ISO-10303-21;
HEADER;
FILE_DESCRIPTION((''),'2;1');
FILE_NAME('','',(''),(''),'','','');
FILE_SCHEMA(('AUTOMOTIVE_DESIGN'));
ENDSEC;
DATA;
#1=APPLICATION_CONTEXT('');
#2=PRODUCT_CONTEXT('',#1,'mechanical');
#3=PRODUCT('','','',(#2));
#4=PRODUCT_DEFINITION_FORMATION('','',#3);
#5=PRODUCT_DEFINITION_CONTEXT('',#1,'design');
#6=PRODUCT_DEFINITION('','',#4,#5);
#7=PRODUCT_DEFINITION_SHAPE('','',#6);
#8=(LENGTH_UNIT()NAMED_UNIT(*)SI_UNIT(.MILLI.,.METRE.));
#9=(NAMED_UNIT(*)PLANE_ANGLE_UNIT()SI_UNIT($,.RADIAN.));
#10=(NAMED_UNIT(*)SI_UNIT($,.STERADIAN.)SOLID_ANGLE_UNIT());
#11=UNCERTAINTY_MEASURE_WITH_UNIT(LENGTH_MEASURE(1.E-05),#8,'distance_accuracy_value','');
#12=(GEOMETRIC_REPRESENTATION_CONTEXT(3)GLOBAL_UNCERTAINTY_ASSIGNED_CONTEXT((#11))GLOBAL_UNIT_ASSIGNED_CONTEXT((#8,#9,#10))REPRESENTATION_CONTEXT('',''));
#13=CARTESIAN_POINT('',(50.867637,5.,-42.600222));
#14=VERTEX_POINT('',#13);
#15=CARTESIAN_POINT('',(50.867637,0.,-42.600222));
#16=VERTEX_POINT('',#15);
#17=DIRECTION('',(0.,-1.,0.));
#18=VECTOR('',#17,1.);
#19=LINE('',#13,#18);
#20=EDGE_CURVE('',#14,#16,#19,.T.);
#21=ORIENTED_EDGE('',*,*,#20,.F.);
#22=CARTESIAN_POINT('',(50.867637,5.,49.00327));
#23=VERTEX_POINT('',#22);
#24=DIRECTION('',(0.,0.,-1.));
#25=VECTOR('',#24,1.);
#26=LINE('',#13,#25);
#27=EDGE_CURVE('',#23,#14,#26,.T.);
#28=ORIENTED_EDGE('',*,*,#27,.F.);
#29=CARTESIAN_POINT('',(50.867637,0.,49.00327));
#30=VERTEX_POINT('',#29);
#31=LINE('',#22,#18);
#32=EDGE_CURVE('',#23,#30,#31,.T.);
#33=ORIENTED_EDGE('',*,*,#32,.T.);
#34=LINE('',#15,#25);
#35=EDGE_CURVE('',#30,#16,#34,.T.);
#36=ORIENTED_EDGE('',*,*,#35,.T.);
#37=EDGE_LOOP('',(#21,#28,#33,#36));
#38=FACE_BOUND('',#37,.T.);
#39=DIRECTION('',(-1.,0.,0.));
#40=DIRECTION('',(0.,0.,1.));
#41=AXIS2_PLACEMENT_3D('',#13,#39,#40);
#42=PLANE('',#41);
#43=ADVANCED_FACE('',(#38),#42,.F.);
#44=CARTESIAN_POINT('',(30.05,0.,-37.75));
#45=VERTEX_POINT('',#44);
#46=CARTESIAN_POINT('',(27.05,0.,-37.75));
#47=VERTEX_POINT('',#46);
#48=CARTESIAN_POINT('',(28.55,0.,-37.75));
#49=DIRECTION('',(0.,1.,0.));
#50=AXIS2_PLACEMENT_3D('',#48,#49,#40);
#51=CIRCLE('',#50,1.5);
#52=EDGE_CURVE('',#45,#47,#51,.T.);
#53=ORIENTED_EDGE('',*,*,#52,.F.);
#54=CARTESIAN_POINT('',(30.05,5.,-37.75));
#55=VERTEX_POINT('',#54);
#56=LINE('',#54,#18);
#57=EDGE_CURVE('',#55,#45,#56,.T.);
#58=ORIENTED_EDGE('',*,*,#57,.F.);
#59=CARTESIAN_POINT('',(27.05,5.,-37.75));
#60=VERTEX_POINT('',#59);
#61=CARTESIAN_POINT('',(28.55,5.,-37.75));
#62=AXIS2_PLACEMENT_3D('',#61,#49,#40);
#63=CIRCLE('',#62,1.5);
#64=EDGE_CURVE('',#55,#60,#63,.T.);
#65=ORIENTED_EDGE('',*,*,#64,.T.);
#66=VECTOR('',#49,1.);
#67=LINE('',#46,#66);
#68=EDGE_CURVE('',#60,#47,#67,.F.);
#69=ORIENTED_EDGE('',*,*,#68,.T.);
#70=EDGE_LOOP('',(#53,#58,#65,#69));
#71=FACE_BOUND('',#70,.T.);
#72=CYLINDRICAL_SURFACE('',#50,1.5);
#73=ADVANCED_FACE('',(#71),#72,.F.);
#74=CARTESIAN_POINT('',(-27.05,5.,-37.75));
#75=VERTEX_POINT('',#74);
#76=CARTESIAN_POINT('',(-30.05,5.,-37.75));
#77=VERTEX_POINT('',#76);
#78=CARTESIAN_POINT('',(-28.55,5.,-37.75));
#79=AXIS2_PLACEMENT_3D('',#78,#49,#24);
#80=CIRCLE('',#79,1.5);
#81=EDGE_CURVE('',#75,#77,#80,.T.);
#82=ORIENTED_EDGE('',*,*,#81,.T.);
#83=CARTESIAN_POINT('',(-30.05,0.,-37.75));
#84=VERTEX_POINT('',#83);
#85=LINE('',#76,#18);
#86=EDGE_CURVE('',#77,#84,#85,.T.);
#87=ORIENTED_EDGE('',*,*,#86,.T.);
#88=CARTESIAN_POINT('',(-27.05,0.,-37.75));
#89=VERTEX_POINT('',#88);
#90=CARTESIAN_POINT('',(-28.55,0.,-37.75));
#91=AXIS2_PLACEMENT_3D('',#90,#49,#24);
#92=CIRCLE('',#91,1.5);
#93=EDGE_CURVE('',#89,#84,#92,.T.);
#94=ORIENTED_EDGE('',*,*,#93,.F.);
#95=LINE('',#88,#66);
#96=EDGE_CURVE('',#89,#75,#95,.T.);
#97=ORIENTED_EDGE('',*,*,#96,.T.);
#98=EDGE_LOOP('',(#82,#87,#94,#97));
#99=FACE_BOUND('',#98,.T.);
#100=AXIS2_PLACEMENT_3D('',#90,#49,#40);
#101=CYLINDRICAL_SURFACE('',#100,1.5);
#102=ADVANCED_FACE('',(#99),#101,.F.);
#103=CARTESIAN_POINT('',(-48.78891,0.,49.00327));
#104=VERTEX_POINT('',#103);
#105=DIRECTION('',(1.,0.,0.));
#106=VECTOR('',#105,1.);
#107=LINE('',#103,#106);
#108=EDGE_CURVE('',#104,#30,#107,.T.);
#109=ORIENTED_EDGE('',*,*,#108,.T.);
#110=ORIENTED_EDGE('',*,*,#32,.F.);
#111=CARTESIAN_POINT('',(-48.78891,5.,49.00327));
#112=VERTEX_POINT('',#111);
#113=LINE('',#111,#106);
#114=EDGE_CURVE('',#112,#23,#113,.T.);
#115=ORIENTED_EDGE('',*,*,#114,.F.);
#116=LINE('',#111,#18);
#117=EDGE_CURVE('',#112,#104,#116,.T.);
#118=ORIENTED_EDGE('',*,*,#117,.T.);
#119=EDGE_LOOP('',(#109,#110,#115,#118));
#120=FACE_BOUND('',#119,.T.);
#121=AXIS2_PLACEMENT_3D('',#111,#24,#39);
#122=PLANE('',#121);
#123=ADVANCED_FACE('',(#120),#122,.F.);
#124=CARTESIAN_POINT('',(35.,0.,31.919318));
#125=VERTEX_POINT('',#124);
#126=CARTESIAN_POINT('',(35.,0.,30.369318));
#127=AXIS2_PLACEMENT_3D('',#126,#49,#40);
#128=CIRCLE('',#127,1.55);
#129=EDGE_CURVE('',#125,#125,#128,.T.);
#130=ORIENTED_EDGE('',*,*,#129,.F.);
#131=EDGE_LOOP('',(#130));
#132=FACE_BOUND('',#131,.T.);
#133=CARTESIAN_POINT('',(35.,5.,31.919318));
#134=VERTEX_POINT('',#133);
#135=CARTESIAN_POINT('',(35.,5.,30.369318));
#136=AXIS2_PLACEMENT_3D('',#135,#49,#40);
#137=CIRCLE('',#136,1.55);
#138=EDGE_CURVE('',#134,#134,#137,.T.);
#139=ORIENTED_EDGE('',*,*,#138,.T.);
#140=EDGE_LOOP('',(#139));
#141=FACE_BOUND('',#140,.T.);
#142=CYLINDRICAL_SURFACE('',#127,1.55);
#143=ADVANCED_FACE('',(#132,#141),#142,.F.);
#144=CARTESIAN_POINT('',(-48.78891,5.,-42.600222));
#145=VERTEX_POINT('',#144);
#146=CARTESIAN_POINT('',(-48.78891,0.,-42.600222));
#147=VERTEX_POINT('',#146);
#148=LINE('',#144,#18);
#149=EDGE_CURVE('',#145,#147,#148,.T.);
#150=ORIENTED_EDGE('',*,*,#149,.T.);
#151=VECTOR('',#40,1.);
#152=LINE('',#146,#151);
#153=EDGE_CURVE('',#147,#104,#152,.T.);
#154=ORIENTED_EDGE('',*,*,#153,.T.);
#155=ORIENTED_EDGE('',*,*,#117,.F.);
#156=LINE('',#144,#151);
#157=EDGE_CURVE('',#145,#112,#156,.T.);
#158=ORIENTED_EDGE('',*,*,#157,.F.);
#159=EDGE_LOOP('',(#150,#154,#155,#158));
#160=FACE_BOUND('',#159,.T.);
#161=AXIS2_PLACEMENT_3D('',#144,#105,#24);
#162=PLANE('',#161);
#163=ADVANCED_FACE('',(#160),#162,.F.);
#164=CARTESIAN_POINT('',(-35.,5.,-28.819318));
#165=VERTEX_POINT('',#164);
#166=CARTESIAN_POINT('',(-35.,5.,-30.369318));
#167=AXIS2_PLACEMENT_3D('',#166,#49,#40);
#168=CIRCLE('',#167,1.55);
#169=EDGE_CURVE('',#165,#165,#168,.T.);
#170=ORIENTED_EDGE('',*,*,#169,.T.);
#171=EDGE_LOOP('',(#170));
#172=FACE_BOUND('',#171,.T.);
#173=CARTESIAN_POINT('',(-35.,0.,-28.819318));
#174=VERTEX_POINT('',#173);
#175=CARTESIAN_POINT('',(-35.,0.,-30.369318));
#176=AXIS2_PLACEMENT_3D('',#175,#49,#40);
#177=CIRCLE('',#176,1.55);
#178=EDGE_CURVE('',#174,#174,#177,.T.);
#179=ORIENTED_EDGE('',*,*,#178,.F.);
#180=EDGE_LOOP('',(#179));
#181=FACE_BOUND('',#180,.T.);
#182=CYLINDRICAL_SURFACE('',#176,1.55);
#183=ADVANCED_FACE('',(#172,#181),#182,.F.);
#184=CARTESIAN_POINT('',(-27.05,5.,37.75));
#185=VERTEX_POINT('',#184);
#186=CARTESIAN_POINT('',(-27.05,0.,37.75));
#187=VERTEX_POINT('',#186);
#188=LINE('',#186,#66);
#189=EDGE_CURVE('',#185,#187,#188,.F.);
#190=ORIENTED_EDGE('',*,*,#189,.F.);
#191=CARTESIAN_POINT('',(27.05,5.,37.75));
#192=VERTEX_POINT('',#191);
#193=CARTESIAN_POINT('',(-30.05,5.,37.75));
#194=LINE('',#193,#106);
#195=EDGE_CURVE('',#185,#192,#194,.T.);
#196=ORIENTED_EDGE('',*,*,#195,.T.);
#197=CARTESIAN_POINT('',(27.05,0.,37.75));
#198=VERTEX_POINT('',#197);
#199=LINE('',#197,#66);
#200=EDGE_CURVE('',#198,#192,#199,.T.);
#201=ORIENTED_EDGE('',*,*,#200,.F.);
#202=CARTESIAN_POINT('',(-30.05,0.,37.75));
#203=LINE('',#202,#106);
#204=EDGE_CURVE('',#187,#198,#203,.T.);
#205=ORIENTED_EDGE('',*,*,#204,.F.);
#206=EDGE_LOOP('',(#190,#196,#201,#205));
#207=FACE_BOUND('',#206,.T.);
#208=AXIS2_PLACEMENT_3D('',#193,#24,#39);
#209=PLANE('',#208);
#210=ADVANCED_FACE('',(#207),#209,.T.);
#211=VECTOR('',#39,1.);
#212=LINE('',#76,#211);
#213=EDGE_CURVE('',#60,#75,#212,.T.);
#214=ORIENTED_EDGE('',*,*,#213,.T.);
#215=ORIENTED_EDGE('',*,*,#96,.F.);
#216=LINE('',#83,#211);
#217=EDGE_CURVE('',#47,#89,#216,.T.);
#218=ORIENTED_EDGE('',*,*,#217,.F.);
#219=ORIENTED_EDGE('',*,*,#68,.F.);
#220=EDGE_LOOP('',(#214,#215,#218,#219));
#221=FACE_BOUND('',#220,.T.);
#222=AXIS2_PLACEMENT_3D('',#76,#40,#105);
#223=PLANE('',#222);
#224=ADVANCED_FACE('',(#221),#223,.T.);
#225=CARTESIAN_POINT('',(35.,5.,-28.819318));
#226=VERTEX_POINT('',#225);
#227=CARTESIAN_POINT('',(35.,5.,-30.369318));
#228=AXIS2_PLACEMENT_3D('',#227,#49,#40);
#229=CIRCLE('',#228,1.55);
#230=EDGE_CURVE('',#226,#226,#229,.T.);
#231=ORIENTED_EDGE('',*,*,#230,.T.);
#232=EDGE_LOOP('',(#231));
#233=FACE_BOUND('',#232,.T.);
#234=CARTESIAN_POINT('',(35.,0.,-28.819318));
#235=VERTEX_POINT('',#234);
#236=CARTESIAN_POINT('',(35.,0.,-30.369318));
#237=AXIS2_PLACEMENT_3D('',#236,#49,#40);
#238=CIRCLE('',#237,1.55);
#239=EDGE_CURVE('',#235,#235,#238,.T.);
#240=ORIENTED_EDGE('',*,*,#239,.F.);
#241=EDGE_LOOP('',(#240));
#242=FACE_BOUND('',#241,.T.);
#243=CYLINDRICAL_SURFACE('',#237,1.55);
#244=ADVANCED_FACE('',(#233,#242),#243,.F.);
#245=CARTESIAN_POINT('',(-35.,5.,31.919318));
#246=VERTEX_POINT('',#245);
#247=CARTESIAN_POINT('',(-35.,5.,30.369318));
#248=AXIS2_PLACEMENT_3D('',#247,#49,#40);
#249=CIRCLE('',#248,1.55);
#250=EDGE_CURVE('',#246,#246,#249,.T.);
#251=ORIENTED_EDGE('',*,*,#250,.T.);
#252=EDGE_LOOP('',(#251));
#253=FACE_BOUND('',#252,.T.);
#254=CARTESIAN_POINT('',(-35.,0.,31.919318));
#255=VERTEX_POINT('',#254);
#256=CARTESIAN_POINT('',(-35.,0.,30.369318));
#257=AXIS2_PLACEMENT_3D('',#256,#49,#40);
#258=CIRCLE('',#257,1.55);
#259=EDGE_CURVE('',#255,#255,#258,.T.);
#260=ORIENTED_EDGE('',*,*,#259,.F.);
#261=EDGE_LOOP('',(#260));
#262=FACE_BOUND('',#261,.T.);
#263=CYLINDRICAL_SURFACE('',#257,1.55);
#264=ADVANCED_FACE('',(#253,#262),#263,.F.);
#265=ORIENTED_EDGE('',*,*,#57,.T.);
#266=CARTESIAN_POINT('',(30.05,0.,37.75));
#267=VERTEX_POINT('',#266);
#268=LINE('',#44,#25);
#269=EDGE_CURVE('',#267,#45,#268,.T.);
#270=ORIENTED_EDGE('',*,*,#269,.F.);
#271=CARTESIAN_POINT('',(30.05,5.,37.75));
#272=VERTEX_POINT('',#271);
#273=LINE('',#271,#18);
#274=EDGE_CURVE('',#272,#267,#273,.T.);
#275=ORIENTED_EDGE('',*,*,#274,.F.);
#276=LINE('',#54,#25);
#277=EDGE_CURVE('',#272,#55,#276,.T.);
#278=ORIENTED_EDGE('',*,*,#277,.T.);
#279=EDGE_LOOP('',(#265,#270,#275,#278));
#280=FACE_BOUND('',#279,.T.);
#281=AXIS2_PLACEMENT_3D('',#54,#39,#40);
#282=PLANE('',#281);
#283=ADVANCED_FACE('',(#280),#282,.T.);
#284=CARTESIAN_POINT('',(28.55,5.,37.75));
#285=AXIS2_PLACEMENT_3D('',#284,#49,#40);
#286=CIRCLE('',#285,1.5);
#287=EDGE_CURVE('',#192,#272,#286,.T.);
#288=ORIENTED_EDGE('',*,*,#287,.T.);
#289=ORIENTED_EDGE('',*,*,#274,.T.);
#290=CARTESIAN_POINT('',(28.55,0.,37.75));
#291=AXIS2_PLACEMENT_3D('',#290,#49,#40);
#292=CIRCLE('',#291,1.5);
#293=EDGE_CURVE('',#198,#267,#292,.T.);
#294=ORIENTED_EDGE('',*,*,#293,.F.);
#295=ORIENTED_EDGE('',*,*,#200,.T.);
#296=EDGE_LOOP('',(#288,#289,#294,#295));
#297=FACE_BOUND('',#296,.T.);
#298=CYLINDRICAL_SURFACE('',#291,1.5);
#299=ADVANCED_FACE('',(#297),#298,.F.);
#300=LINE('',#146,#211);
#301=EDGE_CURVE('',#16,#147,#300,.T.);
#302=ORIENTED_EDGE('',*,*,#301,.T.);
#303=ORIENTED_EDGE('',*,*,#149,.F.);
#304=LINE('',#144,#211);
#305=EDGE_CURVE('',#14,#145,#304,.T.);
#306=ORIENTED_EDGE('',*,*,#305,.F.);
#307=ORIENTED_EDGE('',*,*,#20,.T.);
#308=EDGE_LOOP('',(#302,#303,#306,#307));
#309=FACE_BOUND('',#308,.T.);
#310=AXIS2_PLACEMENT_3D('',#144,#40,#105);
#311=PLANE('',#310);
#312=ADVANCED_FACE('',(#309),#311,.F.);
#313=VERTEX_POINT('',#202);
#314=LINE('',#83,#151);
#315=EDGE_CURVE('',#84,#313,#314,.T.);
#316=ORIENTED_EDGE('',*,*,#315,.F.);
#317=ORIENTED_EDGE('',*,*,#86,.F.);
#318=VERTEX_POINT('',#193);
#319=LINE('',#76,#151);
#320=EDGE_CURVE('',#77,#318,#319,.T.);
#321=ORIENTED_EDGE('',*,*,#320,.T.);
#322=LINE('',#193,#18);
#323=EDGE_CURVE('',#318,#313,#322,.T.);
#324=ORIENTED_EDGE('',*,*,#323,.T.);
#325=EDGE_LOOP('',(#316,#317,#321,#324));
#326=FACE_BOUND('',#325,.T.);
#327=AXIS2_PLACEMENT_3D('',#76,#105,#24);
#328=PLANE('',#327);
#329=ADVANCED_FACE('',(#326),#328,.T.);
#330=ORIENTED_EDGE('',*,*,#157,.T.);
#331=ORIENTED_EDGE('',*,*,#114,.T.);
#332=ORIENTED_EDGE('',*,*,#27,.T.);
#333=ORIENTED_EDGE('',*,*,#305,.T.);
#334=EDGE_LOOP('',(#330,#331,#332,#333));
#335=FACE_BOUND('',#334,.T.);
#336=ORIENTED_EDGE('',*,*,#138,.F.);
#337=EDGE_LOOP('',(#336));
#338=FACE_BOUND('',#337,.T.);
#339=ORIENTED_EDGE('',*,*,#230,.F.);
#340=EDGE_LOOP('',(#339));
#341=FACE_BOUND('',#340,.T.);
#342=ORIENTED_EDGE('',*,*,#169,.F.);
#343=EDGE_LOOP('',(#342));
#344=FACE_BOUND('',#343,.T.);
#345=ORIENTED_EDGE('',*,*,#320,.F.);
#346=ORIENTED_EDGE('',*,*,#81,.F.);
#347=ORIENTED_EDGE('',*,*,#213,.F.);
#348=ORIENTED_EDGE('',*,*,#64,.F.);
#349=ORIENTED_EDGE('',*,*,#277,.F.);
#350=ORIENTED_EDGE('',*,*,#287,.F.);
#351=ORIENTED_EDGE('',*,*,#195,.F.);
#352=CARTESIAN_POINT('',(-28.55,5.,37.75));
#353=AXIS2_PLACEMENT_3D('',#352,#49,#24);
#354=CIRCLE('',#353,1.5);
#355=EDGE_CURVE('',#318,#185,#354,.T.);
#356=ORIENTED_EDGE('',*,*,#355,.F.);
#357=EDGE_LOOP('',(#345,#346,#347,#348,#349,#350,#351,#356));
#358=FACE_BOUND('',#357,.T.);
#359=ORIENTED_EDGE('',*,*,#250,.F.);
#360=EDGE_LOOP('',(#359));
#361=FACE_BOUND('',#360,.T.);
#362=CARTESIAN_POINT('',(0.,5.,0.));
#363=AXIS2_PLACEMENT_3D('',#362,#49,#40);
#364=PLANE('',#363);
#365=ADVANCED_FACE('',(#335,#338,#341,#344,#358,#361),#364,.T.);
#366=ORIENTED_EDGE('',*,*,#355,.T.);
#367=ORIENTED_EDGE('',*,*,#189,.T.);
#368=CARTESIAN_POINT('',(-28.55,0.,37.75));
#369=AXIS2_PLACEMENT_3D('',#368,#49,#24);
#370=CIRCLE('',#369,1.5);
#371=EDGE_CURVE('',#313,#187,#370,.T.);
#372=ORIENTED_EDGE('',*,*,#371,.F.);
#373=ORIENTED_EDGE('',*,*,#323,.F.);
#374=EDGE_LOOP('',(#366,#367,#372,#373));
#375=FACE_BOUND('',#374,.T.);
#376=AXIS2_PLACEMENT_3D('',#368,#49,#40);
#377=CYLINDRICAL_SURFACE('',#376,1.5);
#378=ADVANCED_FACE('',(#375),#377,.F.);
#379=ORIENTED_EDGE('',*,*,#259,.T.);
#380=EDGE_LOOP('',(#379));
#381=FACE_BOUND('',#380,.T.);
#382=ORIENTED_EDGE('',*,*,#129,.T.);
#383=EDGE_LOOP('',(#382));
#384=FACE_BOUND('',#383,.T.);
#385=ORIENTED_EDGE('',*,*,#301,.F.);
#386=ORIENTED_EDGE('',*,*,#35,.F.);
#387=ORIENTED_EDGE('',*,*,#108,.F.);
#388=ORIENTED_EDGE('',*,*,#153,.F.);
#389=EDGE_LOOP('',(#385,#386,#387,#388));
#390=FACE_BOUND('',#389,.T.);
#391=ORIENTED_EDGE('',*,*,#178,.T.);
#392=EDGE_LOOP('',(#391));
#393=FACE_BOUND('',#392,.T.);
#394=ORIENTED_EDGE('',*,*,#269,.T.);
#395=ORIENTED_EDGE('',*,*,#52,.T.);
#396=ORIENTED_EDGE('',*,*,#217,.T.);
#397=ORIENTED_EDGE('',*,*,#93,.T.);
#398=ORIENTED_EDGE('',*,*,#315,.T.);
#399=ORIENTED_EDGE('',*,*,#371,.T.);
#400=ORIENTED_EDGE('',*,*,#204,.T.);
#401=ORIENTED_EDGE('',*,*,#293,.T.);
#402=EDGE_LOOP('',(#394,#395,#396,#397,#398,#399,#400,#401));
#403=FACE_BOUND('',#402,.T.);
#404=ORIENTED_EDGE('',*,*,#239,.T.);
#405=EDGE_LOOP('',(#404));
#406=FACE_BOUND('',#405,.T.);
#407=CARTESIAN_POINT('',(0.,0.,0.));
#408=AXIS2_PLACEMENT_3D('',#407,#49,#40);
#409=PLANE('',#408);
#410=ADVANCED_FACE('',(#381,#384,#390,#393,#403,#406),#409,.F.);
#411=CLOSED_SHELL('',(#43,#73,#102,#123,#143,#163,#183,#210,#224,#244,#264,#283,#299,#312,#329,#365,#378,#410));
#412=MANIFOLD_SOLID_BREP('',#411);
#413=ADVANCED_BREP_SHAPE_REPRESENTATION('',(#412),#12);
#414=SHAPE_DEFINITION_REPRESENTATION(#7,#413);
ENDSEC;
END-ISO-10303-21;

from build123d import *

# Parameters (mm, degrees)
SKETCH_1_W          = 99.656546146
SKETCH_1_H          = 91.603491912
SKETCH_1_W_2        = 60.1
SKETCH_1_H_2        = 75.5
EXTRUDE_1_DEPTH     = 5
SKETCH_2_R          = 1.55
CUT_EXTRUDE_1_DEPTH = 5
SKETCH_3_R          = 1.5
CUT_EXTRUDE_2_DEPTH = 5


with BuildPart() as part:
    # 草图1 → 凸台-拉伸1 (new body)
    with BuildSketch(Plane(origin=(0, 0, 0), x_dir=(1, 0, 0), z_dir=(0, 1, 0))):
        with Locations((1.039363494, -3.201523692)):
            Rectangle(SKETCH_1_W, SKETCH_1_H)
        Rectangle(SKETCH_1_W_2, SKETCH_1_H_2, mode=Mode.SUBTRACT)
    extrude(amount=EXTRUDE_1_DEPTH)

    # 草图2 → 切除-拉伸1 (cut)
    with BuildSketch(Plane(origin=(0, 5, 0), x_dir=(1, 0, 0), z_dir=(0, 1, 0))):
        with Locations(Location((35, 30.369317712, 0), (0, 0, 270))):
            Circle(SKETCH_2_R)
        with Locations(Location((35, -30.369317712, 0), (0, 0, 270))):
            Circle(SKETCH_2_R)
        with Locations(Location((-35, -30.369317712, 0), (0, 0, 270))):
            Circle(SKETCH_2_R)
        with Locations(Location((-35, 30.369317712, 0), (0, 0, 270))):
            Circle(SKETCH_2_R)
    extrude(amount=-CUT_EXTRUDE_1_DEPTH, mode=Mode.SUBTRACT)

    # 草图3 → 切除-拉伸2 (cut)
    with BuildSketch(Plane(origin=(0, 5, 0), x_dir=(1, 0, 0), z_dir=(0, 1, 0))):
        with Locations((28.55, -37.75)):
            Circle(SKETCH_3_R)
        with Locations((28.55, 37.75)):
            Circle(SKETCH_3_R)
        with Locations((-28.55, 37.75)):
            Circle(SKETCH_3_R)
        with Locations((-28.55, -37.75)):
            Circle(SKETCH_3_R)
    extrude(amount=-CUT_EXTRUDE_2_DEPTH, mode=Mode.SUBTRACT)


solid = part.part
